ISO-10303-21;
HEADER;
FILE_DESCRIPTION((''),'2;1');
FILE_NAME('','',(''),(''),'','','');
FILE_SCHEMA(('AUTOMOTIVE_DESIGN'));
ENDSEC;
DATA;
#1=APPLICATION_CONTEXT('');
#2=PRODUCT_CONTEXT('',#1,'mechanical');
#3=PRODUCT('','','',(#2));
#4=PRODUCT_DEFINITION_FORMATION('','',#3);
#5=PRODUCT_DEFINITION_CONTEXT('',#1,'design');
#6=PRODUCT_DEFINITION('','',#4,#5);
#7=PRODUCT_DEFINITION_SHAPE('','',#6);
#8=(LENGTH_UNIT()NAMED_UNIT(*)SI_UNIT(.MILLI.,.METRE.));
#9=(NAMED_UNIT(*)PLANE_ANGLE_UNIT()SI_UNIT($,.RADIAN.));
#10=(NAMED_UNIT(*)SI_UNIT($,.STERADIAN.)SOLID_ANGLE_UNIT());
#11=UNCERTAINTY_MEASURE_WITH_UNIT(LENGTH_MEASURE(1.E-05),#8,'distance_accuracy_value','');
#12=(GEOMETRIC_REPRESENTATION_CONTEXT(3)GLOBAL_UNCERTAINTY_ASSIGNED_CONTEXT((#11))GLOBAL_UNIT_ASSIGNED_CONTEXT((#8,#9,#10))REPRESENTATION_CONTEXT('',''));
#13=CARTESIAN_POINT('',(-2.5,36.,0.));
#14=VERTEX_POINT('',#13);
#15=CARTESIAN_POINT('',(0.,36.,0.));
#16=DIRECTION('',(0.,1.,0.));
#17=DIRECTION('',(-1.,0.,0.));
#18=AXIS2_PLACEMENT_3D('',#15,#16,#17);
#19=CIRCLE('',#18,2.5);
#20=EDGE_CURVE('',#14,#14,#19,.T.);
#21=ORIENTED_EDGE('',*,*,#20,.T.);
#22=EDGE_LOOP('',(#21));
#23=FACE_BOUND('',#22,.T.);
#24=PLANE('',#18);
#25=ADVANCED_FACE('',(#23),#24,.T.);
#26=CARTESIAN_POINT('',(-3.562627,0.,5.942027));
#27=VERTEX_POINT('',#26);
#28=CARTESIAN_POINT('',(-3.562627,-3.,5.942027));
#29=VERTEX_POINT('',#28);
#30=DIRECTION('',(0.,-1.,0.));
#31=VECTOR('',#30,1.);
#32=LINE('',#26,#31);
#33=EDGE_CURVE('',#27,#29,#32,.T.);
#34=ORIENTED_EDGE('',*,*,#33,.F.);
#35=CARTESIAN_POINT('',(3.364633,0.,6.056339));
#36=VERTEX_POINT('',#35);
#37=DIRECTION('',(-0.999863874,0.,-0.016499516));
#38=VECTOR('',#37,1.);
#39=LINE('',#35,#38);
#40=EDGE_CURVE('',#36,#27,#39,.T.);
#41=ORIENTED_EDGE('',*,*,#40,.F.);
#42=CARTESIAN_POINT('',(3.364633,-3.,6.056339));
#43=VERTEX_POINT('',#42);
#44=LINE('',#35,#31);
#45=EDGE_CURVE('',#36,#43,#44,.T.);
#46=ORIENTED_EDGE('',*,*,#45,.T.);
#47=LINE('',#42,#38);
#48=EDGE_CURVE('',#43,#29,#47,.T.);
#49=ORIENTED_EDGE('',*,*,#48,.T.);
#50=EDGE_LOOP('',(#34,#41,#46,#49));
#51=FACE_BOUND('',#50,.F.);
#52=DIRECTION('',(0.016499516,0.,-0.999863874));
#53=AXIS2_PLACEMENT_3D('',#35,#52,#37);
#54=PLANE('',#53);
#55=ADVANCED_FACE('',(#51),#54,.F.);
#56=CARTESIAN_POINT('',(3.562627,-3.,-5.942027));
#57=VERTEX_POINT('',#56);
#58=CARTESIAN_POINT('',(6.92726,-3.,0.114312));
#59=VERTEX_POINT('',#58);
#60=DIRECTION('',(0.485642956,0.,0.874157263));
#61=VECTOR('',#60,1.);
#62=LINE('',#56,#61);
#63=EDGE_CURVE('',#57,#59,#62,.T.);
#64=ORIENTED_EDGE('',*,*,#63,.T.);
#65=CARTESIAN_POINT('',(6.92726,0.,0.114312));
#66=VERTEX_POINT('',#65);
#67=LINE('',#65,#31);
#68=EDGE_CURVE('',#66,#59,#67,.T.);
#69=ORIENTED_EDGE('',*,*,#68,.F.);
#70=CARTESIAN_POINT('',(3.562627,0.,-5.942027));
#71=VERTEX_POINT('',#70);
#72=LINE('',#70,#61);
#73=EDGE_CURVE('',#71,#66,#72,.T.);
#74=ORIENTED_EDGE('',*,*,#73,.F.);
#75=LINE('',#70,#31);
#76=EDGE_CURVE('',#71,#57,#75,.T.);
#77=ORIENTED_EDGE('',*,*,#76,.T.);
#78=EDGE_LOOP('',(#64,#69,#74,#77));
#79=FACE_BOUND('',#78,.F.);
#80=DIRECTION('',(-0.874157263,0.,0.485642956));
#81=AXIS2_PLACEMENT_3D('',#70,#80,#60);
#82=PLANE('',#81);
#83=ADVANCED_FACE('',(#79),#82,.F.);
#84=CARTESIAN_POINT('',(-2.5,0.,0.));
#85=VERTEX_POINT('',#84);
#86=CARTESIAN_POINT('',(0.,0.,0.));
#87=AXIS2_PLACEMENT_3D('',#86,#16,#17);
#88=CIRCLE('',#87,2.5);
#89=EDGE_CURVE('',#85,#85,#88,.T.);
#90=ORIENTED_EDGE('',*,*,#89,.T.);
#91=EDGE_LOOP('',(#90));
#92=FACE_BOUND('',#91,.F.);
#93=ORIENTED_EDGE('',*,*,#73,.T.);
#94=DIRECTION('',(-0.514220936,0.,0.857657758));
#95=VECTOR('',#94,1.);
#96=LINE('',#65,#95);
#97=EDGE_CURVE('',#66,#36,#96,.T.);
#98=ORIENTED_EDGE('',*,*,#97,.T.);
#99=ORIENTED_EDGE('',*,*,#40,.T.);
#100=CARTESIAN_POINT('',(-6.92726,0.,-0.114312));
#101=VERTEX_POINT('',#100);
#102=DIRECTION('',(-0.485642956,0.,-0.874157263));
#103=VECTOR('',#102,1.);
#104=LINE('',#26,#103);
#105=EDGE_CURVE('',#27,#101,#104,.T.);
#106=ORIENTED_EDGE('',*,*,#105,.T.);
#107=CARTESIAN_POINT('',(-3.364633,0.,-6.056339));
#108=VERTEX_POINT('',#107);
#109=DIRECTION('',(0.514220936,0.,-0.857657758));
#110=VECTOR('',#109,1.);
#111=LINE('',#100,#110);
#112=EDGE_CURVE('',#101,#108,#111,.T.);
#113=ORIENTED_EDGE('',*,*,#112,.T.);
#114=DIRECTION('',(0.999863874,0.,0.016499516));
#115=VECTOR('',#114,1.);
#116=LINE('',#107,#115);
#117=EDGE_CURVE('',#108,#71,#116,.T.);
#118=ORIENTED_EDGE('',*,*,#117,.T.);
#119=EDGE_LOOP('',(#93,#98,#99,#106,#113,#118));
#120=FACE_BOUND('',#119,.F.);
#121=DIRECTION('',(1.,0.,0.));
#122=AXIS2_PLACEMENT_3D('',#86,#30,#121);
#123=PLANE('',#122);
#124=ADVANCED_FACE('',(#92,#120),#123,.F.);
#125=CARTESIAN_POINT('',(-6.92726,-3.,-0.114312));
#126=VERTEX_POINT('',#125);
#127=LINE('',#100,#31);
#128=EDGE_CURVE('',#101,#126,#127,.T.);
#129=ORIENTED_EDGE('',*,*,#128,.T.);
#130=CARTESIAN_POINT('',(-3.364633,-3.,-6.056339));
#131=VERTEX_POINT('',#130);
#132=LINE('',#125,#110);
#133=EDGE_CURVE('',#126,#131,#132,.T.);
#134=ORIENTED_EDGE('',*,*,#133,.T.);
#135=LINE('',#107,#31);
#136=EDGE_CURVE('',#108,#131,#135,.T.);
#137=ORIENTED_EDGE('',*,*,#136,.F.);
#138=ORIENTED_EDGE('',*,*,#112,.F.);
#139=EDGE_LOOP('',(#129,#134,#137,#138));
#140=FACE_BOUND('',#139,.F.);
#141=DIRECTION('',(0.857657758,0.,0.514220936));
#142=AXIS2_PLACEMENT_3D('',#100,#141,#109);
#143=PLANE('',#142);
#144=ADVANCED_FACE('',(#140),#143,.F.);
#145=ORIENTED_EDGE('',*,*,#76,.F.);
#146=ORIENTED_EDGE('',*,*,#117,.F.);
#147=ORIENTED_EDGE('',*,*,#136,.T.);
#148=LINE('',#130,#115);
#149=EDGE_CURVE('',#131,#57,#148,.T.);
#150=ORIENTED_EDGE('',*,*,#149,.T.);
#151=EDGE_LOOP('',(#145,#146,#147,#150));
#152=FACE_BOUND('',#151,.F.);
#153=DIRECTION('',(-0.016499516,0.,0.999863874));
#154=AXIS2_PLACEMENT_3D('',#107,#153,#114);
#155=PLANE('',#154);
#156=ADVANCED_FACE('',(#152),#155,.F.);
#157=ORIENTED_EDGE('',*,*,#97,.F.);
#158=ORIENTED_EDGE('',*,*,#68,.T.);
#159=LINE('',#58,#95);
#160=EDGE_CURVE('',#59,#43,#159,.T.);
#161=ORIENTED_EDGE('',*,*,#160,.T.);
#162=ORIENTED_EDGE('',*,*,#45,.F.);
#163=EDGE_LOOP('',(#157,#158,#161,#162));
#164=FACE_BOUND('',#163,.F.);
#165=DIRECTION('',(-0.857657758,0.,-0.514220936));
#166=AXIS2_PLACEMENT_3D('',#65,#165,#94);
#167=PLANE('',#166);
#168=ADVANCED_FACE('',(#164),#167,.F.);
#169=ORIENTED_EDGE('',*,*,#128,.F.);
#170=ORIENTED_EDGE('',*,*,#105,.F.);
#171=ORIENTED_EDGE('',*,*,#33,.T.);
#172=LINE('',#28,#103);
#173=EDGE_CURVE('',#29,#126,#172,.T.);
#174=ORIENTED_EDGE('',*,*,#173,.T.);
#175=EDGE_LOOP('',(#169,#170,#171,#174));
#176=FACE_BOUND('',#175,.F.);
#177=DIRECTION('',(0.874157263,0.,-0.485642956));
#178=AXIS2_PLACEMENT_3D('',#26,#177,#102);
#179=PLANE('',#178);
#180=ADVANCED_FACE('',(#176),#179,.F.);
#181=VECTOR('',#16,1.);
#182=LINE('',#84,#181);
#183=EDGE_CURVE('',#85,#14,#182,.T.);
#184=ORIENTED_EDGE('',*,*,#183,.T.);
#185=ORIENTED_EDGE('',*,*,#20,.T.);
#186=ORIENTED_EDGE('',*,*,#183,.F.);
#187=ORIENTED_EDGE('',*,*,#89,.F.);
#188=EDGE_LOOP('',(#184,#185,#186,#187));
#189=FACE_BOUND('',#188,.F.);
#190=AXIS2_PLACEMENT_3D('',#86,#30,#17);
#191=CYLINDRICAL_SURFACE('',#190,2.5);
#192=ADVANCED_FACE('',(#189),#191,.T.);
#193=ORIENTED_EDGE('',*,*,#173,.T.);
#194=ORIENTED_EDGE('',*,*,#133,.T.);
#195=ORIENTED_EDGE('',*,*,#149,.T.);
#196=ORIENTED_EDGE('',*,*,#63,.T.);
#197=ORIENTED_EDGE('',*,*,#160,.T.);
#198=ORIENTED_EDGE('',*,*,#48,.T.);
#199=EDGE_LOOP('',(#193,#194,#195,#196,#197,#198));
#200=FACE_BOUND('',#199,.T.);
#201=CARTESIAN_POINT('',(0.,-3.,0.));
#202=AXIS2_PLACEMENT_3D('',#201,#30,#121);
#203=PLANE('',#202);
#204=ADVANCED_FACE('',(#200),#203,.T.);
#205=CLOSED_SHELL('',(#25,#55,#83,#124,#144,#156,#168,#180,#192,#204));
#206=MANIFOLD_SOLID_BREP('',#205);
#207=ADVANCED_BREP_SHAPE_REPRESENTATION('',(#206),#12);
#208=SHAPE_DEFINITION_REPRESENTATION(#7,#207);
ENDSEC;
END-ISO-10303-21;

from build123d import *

# Parameters (mm, degrees)
F1_DEPTH = 3
F2_R     = 2.5
F3_DEPTH = 36


with BuildPart() as f1:
    # F0 (on Front) → F1 (new body)
    with BuildSketch(Plane.XZ):
        Polygon((-3.562627, 5.942027), (-6.92726, -0.114312), (-3.364633, -6.056339), (3.562627, -5.942027), (6.92726, 0.114312), (3.364633, 6.056339), align=None)
    extrude(amount=F1_DEPTH)

    # F2 (on face) → F3 (join)
    with BuildSketch(Plane(origin=(0, 0, 0), x_dir=(-1, 0, 0), z_dir=(0, 1, 0))):
        Circle(F2_R)
    extrude(amount=F3_DEPTH)


solid = f1.part
